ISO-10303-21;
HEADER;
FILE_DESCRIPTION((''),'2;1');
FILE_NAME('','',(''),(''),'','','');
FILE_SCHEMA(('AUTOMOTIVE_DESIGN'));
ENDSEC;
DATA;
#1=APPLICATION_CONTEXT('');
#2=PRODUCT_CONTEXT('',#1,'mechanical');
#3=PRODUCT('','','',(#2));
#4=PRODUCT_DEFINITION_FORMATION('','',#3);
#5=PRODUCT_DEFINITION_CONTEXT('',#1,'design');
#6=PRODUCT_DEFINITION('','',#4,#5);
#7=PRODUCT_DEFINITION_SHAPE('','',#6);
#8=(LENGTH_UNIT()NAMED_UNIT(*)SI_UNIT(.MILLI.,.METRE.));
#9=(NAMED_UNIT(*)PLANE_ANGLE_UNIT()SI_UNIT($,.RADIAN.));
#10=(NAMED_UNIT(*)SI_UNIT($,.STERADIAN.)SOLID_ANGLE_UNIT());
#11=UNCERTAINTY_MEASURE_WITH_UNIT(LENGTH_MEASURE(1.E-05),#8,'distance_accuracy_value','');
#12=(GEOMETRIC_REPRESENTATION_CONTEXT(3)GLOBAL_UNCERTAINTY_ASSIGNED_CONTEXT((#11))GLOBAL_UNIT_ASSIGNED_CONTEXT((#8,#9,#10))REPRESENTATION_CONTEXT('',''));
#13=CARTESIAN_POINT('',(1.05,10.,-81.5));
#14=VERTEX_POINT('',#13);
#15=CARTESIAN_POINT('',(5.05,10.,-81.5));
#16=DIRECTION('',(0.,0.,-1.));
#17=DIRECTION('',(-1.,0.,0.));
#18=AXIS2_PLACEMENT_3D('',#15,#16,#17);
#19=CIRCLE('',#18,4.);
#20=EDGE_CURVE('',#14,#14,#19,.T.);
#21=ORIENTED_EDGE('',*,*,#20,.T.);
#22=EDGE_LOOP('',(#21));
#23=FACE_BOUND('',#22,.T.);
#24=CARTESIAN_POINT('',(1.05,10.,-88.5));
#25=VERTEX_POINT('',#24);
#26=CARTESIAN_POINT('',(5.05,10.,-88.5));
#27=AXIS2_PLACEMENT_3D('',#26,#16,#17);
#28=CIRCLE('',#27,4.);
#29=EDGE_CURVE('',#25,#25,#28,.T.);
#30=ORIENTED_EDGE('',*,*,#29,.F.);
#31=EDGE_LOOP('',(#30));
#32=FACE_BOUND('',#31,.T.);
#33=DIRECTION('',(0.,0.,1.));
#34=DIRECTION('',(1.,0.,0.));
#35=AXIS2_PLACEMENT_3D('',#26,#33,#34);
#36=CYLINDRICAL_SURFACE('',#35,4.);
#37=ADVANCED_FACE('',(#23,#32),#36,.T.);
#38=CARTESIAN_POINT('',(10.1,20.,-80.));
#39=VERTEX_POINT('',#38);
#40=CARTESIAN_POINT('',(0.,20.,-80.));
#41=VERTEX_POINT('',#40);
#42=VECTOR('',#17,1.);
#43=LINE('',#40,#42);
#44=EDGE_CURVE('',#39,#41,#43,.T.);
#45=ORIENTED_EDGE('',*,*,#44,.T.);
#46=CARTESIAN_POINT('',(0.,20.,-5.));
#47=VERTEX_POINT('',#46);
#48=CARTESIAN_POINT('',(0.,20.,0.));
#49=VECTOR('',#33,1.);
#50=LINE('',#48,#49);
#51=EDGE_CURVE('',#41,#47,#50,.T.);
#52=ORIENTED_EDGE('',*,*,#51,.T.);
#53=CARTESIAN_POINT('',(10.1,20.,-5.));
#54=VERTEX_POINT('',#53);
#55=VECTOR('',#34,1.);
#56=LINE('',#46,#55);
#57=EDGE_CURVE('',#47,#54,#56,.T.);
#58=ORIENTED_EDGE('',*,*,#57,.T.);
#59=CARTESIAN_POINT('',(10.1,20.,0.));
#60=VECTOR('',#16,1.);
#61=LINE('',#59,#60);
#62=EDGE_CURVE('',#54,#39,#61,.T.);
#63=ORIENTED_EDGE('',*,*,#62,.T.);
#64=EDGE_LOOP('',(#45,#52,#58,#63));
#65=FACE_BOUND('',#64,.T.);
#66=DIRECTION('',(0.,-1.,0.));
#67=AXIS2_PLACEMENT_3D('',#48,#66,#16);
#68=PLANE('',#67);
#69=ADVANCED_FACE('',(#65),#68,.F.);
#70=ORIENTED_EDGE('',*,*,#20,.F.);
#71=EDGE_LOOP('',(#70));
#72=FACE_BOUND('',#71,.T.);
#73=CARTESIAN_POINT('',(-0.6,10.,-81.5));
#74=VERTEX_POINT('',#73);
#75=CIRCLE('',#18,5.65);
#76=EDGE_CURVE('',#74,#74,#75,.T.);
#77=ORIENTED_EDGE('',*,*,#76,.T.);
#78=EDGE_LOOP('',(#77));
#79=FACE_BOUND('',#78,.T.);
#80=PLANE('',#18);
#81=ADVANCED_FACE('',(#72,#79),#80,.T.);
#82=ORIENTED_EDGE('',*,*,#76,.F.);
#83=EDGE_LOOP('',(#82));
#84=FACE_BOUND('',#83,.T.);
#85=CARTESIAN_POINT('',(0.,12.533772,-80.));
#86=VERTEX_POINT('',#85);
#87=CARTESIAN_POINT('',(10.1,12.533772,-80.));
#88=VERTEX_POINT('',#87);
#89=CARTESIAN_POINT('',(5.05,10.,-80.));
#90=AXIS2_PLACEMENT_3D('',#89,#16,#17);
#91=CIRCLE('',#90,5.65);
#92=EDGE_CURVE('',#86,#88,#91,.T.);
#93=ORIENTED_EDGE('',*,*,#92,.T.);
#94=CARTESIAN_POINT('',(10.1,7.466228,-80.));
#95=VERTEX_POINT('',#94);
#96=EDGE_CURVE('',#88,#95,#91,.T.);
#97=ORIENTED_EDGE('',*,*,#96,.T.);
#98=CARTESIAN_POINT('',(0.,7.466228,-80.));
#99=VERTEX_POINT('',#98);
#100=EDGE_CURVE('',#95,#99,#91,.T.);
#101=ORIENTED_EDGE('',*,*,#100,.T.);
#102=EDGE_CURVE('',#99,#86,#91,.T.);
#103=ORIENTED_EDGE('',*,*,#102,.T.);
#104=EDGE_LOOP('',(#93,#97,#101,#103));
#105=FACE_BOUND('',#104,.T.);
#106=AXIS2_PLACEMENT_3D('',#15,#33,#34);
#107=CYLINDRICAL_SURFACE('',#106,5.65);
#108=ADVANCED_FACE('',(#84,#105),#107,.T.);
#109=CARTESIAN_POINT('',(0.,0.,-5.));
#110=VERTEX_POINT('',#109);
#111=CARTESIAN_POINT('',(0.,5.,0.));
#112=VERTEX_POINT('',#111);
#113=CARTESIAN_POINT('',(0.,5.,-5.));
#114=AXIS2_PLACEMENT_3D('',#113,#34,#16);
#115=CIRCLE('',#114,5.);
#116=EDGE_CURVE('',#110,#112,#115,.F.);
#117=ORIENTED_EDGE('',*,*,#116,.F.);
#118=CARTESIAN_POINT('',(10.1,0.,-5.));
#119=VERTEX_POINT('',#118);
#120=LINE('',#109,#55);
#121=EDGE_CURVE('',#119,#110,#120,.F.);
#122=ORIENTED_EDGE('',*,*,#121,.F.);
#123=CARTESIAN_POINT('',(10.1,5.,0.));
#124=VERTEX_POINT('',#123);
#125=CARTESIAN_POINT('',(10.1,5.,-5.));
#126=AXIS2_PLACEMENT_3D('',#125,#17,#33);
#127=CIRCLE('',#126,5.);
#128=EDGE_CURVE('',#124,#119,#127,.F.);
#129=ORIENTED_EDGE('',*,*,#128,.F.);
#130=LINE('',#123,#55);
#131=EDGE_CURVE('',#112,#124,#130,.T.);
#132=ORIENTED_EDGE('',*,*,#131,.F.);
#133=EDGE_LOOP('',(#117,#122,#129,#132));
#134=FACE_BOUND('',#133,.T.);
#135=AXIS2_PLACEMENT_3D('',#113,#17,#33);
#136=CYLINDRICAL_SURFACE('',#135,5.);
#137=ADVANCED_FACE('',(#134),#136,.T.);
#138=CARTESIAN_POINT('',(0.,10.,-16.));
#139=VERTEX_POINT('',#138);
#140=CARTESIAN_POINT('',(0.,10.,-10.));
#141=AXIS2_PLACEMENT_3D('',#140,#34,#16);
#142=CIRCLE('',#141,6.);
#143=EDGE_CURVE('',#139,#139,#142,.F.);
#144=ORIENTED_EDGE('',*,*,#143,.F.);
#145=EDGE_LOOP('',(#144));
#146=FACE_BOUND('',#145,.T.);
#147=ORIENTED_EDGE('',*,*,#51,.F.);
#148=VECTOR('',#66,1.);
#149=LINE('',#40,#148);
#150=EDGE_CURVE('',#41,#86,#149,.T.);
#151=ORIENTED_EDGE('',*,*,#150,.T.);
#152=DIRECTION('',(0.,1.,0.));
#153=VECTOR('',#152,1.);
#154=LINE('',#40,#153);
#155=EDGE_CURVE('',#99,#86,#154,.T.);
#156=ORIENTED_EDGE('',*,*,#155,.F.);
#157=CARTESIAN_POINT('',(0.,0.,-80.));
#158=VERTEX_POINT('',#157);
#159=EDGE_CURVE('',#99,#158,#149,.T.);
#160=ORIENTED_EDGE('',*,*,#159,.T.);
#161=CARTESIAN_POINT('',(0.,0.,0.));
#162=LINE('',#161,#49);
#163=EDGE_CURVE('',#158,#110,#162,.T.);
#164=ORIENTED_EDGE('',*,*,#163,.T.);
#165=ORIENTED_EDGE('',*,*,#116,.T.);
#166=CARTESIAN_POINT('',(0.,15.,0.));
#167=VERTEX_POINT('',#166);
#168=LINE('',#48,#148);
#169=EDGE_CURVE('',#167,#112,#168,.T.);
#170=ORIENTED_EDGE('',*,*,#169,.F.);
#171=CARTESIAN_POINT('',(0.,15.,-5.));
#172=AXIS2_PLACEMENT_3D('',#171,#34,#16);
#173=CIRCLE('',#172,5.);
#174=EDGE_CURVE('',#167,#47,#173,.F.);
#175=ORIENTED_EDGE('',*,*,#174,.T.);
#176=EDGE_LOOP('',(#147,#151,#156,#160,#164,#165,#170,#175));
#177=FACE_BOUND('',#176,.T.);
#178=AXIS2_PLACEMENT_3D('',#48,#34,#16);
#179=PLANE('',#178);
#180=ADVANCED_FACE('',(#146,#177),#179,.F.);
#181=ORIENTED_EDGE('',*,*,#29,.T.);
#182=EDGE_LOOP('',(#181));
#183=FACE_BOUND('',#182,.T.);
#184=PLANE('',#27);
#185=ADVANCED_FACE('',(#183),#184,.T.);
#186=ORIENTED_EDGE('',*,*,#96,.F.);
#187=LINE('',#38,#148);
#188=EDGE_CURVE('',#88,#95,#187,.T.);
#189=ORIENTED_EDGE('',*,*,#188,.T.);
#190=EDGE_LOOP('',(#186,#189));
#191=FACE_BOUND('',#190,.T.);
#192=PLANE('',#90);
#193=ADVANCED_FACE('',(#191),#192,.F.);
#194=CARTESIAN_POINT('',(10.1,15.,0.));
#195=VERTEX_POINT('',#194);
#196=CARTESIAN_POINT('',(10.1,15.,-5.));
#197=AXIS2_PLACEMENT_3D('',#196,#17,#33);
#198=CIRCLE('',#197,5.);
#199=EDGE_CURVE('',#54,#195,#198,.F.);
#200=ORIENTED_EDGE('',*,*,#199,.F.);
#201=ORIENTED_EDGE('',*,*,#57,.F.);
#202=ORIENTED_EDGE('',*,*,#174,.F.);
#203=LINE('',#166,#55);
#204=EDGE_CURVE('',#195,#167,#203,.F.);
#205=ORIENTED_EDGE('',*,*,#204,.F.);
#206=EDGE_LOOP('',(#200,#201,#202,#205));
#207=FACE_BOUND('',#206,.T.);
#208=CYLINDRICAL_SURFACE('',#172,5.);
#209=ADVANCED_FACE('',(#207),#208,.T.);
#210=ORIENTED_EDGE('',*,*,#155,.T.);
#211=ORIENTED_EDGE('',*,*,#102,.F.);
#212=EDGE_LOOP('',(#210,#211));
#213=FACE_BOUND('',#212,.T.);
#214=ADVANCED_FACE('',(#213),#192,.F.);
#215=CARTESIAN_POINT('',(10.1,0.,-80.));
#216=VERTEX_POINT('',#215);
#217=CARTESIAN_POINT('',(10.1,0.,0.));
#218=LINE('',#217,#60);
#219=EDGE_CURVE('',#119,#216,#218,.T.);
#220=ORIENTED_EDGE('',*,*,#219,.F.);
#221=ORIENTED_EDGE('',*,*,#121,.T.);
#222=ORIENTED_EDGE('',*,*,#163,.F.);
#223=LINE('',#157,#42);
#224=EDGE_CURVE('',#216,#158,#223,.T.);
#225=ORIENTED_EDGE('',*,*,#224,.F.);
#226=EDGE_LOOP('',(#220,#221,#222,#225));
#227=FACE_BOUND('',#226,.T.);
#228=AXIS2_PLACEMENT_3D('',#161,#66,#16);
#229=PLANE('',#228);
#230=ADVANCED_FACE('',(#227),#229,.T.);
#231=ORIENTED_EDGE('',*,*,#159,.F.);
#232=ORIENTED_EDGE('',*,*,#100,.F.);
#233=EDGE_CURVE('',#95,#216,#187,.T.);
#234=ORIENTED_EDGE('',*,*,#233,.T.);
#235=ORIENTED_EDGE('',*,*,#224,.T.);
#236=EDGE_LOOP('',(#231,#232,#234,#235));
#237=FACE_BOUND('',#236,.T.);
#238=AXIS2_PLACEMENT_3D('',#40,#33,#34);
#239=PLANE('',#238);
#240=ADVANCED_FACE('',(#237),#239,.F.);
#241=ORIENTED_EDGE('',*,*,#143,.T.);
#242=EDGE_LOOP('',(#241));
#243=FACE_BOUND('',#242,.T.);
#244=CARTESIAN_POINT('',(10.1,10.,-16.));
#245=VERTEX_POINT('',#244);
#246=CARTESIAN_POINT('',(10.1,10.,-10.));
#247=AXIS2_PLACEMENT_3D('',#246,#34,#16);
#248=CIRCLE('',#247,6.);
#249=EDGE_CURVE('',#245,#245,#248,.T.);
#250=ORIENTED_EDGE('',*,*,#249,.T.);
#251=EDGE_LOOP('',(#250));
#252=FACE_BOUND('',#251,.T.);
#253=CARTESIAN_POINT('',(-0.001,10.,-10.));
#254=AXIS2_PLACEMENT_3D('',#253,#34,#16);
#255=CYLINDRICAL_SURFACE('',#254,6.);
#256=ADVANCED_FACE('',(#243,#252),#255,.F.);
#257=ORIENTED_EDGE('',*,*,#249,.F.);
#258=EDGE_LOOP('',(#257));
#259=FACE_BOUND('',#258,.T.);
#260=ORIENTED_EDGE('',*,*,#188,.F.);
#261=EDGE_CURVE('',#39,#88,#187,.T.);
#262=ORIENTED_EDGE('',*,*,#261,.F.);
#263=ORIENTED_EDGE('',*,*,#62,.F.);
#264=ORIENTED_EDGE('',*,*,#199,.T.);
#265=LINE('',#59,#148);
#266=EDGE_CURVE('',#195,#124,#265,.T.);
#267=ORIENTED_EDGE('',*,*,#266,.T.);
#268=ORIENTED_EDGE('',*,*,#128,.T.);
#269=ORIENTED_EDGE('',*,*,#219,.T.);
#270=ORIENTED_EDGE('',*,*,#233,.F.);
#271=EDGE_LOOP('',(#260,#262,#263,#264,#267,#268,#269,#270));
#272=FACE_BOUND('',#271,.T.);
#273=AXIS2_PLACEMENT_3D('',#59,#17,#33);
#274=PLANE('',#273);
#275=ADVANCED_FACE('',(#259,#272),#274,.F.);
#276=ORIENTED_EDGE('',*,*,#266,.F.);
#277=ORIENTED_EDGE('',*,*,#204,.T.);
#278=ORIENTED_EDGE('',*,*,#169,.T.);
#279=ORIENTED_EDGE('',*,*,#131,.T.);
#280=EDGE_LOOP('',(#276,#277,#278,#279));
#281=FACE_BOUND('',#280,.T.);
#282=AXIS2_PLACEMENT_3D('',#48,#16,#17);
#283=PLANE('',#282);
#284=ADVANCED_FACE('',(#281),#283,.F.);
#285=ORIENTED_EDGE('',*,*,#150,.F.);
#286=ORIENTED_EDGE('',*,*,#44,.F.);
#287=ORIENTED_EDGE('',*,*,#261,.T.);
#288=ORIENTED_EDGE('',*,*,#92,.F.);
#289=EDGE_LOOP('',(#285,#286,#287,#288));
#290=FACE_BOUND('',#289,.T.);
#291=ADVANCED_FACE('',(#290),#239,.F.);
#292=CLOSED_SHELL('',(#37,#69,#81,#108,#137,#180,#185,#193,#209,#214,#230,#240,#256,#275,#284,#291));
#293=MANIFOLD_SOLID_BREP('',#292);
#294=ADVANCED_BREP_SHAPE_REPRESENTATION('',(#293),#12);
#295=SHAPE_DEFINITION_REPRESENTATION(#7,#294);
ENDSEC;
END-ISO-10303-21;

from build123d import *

# Parameters (mm, degrees)
SKETCH1_W           = 10.1
SKETCH1_H           = 80
BOSS_EXTRUDE1_DEPTH = 20
CUT_EXTRUDE1_REACH  = 85.078
SKETCH2_R           = 6
FILLET1_R           = 5
SKETCH3_R           = 4
BOSS_EXTRUDE2_DEPTH = 8.5
SKETCH4_R           = 5.65
BOSS_EXTRUDE3_DEPTH = 1.5


with BuildPart() as part:
    # Sketch1 → Boss-Extrude1 (new body)
    with BuildSketch(Plane(origin=(0, 0, 0), x_dir=(1, 0, 0), z_dir=(0, 1, 0))):
        with Locations((5.05, 40)):
            Rectangle(SKETCH1_W, SKETCH1_H)
    extrude(amount=BOSS_EXTRUDE1_DEPTH)

    # Sketch2 → Cut-Extrude1 (cut, up to next)
    with BuildSketch(Plane(origin=(10.1, 0, 0), x_dir=(0, 0, -1), z_dir=(1, 0, 0)), mode=Mode.PRIVATE) as cut_extrude1_sk1:
        with Locations((10, 10)):
            Circle(SKETCH2_R)
    cut_extrude1_tool1 = extrude(cut_extrude1_sk1.sketch, amount=-CUT_EXTRUDE1_REACH, mode=Mode.PRIVATE) & part.part
    add(cut_extrude1_tool1.solids().sort_by_distance((10.1, 10, -10))[0], mode=Mode.SUBTRACT)

    # Fillet1
    fillet1_edges = [part.edges().sort_by_distance(p)[0] for p in [
        (5.05, 0, 0),
        (5.05, 20, 0),
    ]]
    fillet(fillet1_edges, radius=FILLET1_R)

    # Sketch3 → Boss-Extrude2 (add)
    with BuildSketch(Plane(origin=(0, 0, -80), x_dir=(-1, 0, 0), z_dir=(0, 0, -1))):
        with Locations(Location((-5.05, 10, 0), (0, 0, 180))):
            Circle(SKETCH3_R)
    extrude(amount=BOSS_EXTRUDE2_DEPTH)

    # Sketch4 → Boss-Extrude3 (add)
    with BuildSketch(Plane(origin=(0, 0, -80), x_dir=(-1, 0, 0), z_dir=(0, 0, -1))):
        with Locations(Location((-5.05, 10, 0), (0, 0, 206.64461444))):
            Circle(SKETCH4_R)
    extrude(amount=BOSS_EXTRUDE3_DEPTH)


solid = part.part
